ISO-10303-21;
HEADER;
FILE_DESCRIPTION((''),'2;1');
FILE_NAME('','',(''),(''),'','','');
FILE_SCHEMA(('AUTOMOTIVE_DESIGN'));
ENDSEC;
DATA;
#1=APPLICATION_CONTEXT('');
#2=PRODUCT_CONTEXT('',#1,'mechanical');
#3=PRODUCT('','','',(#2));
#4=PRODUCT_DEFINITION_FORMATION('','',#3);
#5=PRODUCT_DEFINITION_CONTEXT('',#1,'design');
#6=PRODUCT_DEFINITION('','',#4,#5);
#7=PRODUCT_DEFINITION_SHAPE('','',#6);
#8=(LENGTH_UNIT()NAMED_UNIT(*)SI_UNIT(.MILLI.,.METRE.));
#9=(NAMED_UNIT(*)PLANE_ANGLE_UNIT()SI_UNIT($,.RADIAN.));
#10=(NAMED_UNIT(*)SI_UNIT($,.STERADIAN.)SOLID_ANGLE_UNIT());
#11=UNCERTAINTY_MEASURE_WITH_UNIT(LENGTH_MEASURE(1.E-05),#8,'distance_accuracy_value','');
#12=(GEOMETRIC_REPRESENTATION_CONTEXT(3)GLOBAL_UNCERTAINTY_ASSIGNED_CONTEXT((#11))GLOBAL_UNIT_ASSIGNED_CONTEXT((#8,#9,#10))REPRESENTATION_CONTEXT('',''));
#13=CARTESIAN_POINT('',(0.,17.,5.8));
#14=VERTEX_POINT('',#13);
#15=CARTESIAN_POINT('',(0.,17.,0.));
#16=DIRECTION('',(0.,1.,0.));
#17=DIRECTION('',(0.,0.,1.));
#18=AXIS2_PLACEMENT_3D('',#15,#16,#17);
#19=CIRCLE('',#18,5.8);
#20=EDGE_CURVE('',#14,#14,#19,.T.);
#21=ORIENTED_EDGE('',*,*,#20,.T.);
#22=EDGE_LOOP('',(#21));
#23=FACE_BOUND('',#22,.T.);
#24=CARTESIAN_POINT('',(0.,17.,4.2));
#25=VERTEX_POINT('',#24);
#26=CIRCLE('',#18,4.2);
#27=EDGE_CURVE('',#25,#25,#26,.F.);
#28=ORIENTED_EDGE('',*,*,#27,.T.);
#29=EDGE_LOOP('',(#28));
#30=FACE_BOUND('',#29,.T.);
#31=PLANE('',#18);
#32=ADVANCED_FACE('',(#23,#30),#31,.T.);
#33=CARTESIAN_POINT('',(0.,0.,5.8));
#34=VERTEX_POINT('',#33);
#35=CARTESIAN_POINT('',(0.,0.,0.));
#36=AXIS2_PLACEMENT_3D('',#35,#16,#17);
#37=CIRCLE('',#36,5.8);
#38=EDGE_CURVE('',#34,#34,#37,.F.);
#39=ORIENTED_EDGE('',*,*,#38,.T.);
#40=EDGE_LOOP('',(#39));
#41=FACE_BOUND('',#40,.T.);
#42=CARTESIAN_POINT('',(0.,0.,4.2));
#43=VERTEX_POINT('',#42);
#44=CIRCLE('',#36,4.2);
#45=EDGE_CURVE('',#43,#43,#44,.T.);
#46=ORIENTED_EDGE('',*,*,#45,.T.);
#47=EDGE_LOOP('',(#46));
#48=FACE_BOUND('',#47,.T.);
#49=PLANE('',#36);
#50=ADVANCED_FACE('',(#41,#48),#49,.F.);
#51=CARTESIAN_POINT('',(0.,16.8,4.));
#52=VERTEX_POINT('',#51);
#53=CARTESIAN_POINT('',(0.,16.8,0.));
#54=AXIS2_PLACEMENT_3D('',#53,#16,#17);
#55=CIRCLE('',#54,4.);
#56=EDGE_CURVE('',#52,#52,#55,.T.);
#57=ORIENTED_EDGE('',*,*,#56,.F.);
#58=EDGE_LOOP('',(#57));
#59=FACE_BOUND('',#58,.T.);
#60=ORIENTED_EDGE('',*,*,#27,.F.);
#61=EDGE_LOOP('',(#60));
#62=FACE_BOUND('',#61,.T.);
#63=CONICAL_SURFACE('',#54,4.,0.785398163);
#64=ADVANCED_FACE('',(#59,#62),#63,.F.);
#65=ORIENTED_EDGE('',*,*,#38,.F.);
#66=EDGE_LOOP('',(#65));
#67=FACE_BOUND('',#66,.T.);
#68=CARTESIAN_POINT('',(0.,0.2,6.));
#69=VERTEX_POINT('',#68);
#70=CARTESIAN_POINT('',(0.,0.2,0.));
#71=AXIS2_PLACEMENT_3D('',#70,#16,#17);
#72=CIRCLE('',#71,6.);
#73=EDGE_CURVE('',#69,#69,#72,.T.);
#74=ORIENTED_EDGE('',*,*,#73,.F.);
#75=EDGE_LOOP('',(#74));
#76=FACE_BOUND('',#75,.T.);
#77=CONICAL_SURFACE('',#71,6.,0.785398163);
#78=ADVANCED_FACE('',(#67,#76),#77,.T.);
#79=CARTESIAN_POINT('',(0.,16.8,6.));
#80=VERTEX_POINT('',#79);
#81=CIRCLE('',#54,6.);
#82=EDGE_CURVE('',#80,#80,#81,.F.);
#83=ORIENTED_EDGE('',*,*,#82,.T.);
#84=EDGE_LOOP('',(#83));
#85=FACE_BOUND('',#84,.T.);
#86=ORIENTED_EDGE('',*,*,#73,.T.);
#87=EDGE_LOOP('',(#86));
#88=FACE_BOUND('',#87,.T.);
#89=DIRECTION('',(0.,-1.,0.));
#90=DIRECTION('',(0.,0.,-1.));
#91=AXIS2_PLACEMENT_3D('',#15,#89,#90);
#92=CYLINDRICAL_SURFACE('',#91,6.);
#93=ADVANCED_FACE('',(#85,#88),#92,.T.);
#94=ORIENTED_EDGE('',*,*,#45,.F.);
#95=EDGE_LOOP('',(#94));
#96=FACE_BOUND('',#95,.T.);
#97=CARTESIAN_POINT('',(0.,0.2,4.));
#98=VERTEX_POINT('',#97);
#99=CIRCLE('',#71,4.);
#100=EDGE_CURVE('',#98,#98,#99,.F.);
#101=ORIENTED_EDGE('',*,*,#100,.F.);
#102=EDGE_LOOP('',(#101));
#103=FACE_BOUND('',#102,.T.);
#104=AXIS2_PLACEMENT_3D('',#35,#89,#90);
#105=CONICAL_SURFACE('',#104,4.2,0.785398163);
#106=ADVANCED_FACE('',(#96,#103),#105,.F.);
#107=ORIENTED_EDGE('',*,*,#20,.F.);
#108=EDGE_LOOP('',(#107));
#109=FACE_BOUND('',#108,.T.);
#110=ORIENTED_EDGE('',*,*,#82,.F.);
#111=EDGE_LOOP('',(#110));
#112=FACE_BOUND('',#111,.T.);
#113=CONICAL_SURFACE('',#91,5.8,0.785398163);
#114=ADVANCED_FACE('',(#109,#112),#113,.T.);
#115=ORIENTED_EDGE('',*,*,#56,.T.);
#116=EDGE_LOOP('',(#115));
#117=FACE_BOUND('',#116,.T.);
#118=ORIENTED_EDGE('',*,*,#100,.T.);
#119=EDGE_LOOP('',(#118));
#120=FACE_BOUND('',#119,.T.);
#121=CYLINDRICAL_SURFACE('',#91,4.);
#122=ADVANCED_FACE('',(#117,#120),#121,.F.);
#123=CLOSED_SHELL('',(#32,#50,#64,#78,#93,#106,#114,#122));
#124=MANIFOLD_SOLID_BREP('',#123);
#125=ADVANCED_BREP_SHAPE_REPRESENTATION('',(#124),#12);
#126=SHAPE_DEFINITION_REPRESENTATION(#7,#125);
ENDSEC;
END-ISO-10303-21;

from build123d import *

# Parameters (mm, degrees)
SKETCH1_R           = 6
SKETCH1_R_2         = 4
BOSS_EXTRUDE1_DEPTH = 17
CHAMFER1_SIZE       = 0.2


with BuildPart() as part:
    # Sketch1 → Boss-Extrude1 (new body)
    with BuildSketch(Plane(origin=(0, 0, 0), x_dir=(1, 0, 0), z_dir=(0, 1, 0))):
        with Locations(Location((0, 0, 0), (0, 0, 270))):
            Circle(SKETCH1_R)
        with Locations(Location((0, 0, 0), (0, 0, 270))):
            Circle(SKETCH1_R_2, mode=Mode.SUBTRACT)
    extrude(amount=BOSS_EXTRUDE1_DEPTH)

    # Chamfer1
    chamfer1_edges = [part.edges().sort_by_distance(p)[0] for p in [
        (0, 0, -6),
        (0, 17, -6),
        (0, 0, -4),
        (0, 17, -4),
    ]]
    chamfer(chamfer1_edges, length=CHAMFER1_SIZE)


solid = part.part
